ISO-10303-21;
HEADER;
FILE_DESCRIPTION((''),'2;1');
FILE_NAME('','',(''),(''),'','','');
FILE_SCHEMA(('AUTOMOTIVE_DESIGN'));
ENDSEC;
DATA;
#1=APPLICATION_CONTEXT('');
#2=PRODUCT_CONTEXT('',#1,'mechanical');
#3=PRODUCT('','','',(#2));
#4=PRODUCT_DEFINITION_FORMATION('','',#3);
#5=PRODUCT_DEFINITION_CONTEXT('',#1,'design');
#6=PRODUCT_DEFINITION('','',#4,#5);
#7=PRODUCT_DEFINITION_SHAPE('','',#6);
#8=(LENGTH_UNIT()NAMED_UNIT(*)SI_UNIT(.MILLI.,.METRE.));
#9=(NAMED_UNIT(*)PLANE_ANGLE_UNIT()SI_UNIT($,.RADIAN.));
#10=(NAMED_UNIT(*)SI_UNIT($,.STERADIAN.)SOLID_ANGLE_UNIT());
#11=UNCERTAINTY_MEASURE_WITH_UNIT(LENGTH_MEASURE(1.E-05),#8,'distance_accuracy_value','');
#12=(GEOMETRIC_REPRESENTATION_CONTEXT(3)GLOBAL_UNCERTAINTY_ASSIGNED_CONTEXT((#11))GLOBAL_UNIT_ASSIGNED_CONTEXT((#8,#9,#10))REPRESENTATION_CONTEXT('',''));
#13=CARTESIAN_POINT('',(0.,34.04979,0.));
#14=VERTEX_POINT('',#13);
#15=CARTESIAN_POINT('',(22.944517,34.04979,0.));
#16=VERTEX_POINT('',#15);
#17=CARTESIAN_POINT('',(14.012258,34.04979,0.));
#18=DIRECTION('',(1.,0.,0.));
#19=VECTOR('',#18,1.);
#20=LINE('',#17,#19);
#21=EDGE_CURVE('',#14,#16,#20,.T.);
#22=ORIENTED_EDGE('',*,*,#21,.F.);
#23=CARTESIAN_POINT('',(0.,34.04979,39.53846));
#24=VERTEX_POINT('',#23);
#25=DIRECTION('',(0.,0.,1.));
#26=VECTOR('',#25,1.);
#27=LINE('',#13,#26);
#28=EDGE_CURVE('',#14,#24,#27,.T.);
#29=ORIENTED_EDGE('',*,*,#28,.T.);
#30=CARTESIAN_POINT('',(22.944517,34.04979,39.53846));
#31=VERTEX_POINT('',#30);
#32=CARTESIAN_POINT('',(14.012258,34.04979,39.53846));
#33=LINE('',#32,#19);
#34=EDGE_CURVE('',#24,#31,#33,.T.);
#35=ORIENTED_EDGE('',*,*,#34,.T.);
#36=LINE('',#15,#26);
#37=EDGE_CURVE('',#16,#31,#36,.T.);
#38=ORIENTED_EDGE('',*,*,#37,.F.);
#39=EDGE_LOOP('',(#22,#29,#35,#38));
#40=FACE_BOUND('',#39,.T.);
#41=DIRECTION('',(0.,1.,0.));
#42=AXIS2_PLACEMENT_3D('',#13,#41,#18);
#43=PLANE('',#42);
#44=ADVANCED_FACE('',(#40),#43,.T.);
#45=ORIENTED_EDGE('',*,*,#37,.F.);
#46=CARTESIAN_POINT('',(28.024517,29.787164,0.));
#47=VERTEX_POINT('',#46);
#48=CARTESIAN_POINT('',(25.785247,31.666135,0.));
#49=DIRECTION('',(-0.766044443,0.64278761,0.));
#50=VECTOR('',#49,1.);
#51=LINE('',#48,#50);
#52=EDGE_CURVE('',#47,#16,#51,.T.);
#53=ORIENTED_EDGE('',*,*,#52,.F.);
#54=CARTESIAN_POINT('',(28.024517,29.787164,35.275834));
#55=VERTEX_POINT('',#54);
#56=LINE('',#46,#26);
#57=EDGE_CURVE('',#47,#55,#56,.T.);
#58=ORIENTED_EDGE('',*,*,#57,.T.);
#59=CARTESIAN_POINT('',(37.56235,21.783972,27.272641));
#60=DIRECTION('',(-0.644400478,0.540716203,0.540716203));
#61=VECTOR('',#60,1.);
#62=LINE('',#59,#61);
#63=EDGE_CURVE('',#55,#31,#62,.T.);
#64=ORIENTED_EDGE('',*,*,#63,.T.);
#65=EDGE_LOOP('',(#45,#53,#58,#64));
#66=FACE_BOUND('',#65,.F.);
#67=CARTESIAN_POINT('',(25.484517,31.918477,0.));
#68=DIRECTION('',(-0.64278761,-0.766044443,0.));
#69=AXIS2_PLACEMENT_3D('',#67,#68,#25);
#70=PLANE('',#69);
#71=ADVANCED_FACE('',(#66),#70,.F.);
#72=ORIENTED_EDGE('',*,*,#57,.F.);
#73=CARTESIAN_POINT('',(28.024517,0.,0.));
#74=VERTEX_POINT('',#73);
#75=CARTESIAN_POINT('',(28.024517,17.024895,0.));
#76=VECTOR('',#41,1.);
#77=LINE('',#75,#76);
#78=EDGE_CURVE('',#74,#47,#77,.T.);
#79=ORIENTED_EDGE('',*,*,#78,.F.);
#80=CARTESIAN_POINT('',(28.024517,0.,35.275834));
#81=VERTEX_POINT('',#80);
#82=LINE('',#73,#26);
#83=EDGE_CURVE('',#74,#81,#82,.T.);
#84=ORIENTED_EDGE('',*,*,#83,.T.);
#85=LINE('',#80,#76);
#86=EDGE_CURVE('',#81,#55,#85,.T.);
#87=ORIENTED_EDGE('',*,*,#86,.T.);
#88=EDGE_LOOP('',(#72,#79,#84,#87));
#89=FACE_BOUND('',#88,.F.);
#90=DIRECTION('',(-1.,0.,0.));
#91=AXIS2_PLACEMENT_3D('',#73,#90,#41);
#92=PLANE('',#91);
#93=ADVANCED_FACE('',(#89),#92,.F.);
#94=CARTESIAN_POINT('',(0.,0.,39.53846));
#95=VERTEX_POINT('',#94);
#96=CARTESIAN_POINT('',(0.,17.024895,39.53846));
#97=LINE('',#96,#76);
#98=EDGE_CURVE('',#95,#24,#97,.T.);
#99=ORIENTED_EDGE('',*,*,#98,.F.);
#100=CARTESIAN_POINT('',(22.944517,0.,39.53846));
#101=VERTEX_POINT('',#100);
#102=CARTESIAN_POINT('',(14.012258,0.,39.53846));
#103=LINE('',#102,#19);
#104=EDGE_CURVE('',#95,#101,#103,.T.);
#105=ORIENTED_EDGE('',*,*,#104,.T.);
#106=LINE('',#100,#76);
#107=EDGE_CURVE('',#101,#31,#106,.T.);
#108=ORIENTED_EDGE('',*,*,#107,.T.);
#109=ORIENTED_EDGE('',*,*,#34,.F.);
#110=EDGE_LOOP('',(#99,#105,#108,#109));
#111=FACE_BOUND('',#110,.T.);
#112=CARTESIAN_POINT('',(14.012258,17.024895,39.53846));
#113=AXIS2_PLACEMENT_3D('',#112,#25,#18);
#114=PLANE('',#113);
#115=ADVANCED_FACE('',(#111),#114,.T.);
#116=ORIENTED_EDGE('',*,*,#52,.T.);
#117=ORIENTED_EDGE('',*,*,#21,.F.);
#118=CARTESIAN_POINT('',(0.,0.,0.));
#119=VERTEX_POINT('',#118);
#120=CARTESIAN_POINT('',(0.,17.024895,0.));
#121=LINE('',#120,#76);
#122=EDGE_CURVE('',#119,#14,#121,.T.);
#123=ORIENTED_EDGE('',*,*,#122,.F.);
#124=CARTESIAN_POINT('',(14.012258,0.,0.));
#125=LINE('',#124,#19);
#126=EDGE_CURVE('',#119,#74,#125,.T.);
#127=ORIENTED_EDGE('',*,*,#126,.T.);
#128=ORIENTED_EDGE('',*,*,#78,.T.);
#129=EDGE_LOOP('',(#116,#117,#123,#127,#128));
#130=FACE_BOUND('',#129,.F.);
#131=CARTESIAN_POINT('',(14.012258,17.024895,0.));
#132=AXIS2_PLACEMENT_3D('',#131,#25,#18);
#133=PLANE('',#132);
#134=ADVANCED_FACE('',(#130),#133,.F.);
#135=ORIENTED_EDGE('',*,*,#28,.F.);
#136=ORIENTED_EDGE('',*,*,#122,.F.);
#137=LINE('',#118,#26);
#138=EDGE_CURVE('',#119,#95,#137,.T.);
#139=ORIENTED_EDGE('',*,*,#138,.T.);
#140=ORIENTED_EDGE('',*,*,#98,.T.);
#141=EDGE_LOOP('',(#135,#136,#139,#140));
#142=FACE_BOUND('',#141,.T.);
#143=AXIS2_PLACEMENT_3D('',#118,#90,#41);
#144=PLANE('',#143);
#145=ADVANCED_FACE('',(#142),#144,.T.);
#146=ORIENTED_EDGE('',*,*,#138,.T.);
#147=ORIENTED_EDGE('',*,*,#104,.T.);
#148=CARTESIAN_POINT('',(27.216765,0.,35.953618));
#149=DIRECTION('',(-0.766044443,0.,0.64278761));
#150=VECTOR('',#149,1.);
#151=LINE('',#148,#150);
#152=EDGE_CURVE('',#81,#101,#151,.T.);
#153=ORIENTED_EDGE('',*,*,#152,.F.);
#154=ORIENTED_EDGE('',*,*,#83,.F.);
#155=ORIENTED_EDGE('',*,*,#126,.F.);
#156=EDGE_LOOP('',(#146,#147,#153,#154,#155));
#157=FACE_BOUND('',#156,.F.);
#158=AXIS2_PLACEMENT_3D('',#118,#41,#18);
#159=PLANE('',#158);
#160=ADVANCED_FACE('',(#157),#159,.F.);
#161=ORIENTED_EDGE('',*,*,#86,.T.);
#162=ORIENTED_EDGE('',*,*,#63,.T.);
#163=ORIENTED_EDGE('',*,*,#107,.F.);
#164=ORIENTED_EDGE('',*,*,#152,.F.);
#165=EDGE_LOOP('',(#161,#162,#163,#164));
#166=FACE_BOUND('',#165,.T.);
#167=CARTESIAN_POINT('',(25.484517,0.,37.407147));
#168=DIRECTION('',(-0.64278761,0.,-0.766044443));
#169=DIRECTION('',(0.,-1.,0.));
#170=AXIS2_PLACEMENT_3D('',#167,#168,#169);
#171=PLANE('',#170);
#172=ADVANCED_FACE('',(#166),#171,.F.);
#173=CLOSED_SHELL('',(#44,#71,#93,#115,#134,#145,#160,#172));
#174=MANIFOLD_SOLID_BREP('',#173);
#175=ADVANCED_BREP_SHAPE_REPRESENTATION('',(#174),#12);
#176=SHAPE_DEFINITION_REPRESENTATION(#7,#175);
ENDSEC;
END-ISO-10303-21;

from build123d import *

# Parameters (mm, degrees)
F0_W     = 28.0245169997
F0_H     = 34.0497903526
F1_DEPTH = 39.53846
F2_SIZE2 = 5.08
F2_SIZE  = 4.2626261264


with BuildPart() as f1:
    # F0 (on Top) → F1 (new body)
    with BuildSketch(Plane.XY):
        with Locations((14.0122584999, 17.0248951763)):
            Rectangle(F0_W, F0_H)
    extrude(amount=F1_DEPTH)

    # F2
    f2_edges = [f1.edges().sort_by_distance(p)[0] for p in [
        (28.024517, 34.04979, 19.76923),
        (28.024517, 17.024895, 39.53846),
    ]]
    f2_side = f1.faces().sort_by_distance((28.024517, 17.024895, 19.76923))[0]
    chamfer(f2_edges, length=F2_SIZE, length2=F2_SIZE2, reference=f2_side)


solid = f1.part
